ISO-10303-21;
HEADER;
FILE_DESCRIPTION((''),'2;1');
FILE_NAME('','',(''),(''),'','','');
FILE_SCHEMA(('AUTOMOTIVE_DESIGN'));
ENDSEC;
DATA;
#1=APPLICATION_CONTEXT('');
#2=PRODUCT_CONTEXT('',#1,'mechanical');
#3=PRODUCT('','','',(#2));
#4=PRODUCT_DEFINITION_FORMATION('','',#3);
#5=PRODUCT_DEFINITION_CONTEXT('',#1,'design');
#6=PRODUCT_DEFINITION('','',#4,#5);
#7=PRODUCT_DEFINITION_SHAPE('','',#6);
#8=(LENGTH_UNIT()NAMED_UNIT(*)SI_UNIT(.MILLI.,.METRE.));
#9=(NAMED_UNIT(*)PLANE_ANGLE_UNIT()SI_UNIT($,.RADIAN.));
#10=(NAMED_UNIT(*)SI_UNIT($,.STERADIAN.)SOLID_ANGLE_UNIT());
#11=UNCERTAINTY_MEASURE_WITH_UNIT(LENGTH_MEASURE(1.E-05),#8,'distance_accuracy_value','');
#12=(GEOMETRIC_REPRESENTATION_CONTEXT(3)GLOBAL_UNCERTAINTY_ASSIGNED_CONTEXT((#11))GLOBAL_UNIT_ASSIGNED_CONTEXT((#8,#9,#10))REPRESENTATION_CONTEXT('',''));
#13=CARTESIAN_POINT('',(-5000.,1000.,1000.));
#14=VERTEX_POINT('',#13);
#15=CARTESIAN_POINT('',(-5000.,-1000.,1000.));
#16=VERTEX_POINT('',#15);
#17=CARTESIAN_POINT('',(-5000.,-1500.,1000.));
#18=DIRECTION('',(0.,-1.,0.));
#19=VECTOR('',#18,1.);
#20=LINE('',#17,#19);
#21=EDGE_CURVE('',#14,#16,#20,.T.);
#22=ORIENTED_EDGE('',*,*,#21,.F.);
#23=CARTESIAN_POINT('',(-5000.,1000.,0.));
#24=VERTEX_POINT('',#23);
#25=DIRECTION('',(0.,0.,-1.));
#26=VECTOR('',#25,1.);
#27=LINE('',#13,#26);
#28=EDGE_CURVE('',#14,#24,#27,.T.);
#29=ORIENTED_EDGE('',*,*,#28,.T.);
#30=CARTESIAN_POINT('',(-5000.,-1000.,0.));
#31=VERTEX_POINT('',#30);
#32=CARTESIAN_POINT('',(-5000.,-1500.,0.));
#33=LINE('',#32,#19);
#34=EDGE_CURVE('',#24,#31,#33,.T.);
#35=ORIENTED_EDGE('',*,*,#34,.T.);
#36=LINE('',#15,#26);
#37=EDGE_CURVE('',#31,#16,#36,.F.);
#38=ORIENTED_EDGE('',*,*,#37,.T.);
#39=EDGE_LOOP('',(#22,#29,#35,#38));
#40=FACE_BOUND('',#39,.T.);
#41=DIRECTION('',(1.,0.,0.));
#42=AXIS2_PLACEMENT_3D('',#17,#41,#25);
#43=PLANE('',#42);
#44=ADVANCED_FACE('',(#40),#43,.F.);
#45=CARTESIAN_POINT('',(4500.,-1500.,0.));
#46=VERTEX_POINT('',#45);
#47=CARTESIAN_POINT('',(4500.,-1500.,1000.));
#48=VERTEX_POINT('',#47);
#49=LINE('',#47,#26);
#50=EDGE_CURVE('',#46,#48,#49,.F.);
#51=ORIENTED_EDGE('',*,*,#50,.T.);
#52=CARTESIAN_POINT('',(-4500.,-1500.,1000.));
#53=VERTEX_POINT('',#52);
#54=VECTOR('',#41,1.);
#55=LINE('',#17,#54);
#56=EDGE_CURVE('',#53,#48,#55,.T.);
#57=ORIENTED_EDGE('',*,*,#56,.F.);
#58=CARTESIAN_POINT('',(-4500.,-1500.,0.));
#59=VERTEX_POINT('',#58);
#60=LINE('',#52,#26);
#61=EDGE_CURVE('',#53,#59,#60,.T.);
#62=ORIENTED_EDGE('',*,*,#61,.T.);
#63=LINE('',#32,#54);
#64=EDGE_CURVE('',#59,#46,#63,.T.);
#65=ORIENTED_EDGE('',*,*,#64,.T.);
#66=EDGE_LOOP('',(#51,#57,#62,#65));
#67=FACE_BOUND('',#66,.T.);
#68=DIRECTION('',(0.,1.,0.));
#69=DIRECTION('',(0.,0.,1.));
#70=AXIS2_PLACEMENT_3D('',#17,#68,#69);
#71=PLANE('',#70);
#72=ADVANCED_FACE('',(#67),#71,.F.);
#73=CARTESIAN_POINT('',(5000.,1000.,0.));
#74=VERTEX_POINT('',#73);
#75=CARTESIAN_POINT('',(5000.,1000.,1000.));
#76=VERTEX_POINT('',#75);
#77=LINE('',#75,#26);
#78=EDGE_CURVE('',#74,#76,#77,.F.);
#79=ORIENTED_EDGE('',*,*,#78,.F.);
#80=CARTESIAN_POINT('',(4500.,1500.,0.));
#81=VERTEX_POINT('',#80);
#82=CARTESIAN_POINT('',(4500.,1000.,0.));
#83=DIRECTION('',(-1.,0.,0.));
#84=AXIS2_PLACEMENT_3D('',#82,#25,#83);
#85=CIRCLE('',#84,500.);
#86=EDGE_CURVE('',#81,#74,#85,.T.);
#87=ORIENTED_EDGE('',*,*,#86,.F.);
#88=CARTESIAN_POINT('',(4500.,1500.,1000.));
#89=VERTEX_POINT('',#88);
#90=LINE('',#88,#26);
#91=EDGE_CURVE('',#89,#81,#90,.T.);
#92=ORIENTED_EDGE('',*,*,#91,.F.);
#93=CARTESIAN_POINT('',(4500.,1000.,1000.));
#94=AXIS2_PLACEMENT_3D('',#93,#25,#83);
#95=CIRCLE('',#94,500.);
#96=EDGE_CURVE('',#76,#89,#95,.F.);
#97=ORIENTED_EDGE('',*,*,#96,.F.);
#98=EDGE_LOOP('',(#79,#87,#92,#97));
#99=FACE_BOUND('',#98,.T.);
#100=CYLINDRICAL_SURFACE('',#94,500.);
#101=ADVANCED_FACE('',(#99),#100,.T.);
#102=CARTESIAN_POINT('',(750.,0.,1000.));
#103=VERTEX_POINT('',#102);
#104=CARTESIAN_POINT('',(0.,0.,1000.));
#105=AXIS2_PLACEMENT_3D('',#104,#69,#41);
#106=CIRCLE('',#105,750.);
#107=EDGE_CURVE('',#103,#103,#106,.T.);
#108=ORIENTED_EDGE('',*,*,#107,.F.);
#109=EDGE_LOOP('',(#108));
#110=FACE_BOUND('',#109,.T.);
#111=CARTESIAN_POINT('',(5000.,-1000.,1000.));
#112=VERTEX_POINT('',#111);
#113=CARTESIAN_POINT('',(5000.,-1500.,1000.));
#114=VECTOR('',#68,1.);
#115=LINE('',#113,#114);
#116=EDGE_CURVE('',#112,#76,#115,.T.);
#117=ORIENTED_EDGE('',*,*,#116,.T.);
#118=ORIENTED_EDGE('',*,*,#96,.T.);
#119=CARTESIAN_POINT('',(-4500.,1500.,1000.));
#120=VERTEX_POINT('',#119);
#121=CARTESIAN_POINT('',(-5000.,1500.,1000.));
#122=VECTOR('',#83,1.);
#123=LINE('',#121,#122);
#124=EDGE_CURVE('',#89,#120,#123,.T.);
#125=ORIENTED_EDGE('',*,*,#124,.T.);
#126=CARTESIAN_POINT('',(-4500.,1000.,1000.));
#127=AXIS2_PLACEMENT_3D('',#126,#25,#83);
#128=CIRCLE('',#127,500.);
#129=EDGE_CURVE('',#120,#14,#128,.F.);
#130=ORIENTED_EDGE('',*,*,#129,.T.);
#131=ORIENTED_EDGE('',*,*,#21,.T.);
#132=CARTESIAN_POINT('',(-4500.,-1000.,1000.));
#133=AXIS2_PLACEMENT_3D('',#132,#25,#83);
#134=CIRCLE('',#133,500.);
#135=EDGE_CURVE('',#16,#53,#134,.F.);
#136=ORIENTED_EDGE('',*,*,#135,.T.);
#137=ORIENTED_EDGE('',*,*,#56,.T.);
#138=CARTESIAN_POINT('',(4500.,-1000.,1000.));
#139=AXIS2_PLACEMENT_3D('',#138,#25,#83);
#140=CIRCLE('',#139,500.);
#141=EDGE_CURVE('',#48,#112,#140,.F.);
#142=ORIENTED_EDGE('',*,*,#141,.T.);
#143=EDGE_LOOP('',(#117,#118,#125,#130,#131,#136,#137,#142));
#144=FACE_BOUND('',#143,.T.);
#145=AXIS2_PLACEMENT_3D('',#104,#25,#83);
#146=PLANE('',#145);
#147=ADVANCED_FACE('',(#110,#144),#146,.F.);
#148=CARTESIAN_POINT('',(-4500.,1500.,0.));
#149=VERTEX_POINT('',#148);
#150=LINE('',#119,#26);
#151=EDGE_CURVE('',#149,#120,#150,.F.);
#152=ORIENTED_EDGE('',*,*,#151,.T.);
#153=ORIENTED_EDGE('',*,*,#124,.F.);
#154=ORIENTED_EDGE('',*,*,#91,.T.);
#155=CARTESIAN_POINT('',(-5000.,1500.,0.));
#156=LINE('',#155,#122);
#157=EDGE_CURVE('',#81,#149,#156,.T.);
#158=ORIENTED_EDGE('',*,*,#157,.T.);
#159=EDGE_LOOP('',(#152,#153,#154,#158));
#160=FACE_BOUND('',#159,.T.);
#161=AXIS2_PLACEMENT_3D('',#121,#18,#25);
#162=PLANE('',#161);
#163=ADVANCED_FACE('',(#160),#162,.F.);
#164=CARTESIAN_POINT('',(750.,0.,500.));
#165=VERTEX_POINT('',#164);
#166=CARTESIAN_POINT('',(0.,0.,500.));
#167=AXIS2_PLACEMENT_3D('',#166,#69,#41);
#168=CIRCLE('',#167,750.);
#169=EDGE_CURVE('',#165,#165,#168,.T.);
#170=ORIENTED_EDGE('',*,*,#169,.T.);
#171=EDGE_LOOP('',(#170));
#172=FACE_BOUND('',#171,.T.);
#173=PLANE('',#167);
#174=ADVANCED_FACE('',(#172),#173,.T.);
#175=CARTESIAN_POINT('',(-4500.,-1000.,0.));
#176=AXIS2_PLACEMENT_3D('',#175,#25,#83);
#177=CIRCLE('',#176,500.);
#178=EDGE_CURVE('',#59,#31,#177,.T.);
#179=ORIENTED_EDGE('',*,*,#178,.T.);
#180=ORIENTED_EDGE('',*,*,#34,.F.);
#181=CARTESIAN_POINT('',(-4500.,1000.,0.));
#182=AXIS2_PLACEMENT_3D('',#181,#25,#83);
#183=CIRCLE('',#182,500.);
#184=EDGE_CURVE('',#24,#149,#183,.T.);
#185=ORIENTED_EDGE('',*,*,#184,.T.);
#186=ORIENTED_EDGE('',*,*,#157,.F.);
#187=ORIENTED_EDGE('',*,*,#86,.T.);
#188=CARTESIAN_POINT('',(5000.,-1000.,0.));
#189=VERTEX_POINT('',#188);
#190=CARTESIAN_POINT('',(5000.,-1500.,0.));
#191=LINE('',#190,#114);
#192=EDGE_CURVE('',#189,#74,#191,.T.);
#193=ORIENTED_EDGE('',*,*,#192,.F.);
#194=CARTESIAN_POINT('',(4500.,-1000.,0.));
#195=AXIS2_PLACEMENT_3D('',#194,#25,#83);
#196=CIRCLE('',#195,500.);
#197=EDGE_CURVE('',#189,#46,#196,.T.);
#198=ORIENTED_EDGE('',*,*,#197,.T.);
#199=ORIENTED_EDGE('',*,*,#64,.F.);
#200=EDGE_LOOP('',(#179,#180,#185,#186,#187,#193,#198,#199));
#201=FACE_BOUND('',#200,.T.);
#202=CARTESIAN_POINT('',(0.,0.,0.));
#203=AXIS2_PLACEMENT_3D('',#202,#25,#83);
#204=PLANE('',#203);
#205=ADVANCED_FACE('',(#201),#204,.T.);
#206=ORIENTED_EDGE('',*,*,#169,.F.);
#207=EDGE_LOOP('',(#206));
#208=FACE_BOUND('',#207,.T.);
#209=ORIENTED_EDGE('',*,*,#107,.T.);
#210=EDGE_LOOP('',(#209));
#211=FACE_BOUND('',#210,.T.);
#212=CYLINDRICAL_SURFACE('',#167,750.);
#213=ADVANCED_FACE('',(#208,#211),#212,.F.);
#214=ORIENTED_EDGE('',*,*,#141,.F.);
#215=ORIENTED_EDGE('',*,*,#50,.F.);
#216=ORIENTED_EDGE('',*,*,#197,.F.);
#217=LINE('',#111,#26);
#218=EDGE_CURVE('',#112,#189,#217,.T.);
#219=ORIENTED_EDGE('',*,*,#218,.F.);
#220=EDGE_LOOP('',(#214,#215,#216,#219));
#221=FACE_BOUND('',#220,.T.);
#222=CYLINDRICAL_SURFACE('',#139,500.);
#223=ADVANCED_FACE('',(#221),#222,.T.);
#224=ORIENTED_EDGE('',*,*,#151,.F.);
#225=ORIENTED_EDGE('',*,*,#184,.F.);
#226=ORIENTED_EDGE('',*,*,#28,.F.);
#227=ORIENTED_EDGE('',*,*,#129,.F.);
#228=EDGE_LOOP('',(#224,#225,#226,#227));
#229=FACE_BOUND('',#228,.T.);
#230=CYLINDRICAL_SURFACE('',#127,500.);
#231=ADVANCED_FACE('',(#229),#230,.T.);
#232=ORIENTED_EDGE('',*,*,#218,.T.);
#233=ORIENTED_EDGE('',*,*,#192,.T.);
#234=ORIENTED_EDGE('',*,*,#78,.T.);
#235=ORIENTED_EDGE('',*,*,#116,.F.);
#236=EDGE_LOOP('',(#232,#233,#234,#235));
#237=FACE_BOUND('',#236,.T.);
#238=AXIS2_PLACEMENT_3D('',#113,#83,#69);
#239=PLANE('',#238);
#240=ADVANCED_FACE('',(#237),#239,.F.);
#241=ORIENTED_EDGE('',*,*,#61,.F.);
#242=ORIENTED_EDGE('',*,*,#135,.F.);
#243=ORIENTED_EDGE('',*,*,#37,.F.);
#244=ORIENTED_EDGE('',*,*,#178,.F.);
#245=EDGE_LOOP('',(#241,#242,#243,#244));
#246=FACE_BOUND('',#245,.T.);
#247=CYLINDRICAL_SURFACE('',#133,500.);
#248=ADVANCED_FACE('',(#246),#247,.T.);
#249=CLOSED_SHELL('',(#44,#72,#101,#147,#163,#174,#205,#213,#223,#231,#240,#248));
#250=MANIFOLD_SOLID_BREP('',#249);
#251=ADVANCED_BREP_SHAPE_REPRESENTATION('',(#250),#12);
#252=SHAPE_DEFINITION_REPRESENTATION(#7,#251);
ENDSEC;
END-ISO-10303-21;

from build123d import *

# Parameters (mm, degrees)
SKETCH1_W           = 10000
SKETCH1_H           = 3000
BOSS_EXTRUDE1_DEPTH = 1000
FILLET1_R           = 500
FILLET2_R           = 500
SKETCH3_R           = 750
CUT_EXTRUDE2_DEPTH  = 500


with BuildPart() as part:
    # Sketch1 → Boss-Extrude1 (new body)
    with BuildSketch(Plane.XY):
        Rectangle(SKETCH1_W, SKETCH1_H)
    extrude(amount=BOSS_EXTRUDE1_DEPTH)

    # Fillet1
    fillet1_edges = [part.edges().sort_by_distance(p)[0] for p in [
        (-5000, 1500, 500),
    ]]
    fillet(fillet1_edges, radius=FILLET1_R)

    # Fillet2
    fillet2_edges = [part.edges().sort_by_distance(p)[0] for p in [
        (5000, -1500, 500),
        (-5000, -1500, 500),
        (5000, 1500, 500),
    ]]
    fillet(fillet2_edges, radius=FILLET2_R)

    # Sketch3 → Cut-Extrude2 (cut)
    with BuildSketch(Plane.XY.offset(1000)):
        Circle(SKETCH3_R)
    extrude(amount=-CUT_EXTRUDE2_DEPTH, mode=Mode.SUBTRACT)


solid = part.part
